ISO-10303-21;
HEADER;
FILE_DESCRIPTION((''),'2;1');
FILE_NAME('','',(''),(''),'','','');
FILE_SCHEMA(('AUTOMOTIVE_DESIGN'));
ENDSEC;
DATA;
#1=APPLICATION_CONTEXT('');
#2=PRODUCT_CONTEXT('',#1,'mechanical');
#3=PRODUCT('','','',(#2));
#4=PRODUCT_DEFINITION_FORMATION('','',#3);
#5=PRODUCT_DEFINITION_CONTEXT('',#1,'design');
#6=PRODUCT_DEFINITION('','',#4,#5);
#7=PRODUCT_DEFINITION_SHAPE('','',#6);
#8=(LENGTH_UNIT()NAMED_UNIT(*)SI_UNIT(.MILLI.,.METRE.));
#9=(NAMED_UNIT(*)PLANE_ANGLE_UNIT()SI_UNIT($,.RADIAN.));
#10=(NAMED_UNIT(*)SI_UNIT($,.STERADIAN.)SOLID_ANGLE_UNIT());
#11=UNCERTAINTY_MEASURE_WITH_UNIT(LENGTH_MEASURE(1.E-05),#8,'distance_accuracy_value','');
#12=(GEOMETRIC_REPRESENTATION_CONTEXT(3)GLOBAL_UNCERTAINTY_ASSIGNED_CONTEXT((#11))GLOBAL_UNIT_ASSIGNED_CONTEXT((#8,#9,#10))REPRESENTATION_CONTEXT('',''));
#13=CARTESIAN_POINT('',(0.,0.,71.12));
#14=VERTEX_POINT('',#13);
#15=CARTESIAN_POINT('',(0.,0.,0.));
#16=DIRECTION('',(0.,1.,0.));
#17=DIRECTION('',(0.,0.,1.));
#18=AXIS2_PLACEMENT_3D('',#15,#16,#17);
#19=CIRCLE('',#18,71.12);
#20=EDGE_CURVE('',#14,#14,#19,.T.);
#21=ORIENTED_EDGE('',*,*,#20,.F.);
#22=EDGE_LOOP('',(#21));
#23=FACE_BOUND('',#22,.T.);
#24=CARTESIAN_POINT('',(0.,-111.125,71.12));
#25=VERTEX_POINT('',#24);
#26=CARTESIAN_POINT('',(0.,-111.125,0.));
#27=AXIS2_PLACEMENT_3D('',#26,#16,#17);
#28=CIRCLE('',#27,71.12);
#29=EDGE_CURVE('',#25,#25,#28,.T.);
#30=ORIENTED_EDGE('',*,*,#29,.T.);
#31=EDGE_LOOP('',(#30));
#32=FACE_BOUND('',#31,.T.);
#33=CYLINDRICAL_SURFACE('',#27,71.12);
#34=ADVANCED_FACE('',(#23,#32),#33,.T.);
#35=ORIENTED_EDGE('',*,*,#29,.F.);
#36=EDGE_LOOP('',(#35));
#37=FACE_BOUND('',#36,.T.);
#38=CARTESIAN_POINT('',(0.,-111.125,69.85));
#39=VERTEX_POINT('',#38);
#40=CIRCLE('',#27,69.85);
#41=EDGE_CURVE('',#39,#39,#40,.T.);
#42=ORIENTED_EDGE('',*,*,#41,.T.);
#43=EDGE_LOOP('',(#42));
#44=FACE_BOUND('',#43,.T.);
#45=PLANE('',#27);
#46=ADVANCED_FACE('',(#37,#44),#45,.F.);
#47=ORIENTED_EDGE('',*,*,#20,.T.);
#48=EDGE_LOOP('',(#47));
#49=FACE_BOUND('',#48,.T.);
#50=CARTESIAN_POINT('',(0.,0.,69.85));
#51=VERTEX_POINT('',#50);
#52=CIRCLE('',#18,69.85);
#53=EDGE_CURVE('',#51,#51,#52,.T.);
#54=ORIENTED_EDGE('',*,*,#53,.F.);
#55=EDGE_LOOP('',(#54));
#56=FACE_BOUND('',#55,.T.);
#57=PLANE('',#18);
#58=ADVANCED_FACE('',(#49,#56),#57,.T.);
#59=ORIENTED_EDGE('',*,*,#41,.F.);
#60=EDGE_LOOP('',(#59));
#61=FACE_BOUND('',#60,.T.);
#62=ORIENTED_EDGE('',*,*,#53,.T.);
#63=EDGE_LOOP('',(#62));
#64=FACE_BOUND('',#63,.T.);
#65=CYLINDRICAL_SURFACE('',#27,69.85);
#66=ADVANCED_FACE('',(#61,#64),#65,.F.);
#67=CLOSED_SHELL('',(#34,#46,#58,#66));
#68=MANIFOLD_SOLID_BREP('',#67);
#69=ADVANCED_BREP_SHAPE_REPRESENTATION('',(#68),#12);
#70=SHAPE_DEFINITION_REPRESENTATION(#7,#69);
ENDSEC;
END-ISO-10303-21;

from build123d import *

# Parameters (mm, degrees)
SKETCH2_R      = 71.12
SKETCH2_R_2    = 69.85
EXTRUDE1_DEPTH = 111.125


with BuildPart() as part:
    # Sketch2 → Extrude1 (new body)
    with BuildSketch(Plane(origin=(0, 0, 0), x_dir=(1, 0, 0), z_dir=(0, 1, 0))):
        with Locations(Location((0, 0, 0), (0, 0, 270))):
            Circle(SKETCH2_R)
        with Locations(Location((0, 0, 0), (0, 0, 270))):
            Circle(SKETCH2_R_2, mode=Mode.SUBTRACT)
    extrude(amount=-EXTRUDE1_DEPTH)


solid = part.part
